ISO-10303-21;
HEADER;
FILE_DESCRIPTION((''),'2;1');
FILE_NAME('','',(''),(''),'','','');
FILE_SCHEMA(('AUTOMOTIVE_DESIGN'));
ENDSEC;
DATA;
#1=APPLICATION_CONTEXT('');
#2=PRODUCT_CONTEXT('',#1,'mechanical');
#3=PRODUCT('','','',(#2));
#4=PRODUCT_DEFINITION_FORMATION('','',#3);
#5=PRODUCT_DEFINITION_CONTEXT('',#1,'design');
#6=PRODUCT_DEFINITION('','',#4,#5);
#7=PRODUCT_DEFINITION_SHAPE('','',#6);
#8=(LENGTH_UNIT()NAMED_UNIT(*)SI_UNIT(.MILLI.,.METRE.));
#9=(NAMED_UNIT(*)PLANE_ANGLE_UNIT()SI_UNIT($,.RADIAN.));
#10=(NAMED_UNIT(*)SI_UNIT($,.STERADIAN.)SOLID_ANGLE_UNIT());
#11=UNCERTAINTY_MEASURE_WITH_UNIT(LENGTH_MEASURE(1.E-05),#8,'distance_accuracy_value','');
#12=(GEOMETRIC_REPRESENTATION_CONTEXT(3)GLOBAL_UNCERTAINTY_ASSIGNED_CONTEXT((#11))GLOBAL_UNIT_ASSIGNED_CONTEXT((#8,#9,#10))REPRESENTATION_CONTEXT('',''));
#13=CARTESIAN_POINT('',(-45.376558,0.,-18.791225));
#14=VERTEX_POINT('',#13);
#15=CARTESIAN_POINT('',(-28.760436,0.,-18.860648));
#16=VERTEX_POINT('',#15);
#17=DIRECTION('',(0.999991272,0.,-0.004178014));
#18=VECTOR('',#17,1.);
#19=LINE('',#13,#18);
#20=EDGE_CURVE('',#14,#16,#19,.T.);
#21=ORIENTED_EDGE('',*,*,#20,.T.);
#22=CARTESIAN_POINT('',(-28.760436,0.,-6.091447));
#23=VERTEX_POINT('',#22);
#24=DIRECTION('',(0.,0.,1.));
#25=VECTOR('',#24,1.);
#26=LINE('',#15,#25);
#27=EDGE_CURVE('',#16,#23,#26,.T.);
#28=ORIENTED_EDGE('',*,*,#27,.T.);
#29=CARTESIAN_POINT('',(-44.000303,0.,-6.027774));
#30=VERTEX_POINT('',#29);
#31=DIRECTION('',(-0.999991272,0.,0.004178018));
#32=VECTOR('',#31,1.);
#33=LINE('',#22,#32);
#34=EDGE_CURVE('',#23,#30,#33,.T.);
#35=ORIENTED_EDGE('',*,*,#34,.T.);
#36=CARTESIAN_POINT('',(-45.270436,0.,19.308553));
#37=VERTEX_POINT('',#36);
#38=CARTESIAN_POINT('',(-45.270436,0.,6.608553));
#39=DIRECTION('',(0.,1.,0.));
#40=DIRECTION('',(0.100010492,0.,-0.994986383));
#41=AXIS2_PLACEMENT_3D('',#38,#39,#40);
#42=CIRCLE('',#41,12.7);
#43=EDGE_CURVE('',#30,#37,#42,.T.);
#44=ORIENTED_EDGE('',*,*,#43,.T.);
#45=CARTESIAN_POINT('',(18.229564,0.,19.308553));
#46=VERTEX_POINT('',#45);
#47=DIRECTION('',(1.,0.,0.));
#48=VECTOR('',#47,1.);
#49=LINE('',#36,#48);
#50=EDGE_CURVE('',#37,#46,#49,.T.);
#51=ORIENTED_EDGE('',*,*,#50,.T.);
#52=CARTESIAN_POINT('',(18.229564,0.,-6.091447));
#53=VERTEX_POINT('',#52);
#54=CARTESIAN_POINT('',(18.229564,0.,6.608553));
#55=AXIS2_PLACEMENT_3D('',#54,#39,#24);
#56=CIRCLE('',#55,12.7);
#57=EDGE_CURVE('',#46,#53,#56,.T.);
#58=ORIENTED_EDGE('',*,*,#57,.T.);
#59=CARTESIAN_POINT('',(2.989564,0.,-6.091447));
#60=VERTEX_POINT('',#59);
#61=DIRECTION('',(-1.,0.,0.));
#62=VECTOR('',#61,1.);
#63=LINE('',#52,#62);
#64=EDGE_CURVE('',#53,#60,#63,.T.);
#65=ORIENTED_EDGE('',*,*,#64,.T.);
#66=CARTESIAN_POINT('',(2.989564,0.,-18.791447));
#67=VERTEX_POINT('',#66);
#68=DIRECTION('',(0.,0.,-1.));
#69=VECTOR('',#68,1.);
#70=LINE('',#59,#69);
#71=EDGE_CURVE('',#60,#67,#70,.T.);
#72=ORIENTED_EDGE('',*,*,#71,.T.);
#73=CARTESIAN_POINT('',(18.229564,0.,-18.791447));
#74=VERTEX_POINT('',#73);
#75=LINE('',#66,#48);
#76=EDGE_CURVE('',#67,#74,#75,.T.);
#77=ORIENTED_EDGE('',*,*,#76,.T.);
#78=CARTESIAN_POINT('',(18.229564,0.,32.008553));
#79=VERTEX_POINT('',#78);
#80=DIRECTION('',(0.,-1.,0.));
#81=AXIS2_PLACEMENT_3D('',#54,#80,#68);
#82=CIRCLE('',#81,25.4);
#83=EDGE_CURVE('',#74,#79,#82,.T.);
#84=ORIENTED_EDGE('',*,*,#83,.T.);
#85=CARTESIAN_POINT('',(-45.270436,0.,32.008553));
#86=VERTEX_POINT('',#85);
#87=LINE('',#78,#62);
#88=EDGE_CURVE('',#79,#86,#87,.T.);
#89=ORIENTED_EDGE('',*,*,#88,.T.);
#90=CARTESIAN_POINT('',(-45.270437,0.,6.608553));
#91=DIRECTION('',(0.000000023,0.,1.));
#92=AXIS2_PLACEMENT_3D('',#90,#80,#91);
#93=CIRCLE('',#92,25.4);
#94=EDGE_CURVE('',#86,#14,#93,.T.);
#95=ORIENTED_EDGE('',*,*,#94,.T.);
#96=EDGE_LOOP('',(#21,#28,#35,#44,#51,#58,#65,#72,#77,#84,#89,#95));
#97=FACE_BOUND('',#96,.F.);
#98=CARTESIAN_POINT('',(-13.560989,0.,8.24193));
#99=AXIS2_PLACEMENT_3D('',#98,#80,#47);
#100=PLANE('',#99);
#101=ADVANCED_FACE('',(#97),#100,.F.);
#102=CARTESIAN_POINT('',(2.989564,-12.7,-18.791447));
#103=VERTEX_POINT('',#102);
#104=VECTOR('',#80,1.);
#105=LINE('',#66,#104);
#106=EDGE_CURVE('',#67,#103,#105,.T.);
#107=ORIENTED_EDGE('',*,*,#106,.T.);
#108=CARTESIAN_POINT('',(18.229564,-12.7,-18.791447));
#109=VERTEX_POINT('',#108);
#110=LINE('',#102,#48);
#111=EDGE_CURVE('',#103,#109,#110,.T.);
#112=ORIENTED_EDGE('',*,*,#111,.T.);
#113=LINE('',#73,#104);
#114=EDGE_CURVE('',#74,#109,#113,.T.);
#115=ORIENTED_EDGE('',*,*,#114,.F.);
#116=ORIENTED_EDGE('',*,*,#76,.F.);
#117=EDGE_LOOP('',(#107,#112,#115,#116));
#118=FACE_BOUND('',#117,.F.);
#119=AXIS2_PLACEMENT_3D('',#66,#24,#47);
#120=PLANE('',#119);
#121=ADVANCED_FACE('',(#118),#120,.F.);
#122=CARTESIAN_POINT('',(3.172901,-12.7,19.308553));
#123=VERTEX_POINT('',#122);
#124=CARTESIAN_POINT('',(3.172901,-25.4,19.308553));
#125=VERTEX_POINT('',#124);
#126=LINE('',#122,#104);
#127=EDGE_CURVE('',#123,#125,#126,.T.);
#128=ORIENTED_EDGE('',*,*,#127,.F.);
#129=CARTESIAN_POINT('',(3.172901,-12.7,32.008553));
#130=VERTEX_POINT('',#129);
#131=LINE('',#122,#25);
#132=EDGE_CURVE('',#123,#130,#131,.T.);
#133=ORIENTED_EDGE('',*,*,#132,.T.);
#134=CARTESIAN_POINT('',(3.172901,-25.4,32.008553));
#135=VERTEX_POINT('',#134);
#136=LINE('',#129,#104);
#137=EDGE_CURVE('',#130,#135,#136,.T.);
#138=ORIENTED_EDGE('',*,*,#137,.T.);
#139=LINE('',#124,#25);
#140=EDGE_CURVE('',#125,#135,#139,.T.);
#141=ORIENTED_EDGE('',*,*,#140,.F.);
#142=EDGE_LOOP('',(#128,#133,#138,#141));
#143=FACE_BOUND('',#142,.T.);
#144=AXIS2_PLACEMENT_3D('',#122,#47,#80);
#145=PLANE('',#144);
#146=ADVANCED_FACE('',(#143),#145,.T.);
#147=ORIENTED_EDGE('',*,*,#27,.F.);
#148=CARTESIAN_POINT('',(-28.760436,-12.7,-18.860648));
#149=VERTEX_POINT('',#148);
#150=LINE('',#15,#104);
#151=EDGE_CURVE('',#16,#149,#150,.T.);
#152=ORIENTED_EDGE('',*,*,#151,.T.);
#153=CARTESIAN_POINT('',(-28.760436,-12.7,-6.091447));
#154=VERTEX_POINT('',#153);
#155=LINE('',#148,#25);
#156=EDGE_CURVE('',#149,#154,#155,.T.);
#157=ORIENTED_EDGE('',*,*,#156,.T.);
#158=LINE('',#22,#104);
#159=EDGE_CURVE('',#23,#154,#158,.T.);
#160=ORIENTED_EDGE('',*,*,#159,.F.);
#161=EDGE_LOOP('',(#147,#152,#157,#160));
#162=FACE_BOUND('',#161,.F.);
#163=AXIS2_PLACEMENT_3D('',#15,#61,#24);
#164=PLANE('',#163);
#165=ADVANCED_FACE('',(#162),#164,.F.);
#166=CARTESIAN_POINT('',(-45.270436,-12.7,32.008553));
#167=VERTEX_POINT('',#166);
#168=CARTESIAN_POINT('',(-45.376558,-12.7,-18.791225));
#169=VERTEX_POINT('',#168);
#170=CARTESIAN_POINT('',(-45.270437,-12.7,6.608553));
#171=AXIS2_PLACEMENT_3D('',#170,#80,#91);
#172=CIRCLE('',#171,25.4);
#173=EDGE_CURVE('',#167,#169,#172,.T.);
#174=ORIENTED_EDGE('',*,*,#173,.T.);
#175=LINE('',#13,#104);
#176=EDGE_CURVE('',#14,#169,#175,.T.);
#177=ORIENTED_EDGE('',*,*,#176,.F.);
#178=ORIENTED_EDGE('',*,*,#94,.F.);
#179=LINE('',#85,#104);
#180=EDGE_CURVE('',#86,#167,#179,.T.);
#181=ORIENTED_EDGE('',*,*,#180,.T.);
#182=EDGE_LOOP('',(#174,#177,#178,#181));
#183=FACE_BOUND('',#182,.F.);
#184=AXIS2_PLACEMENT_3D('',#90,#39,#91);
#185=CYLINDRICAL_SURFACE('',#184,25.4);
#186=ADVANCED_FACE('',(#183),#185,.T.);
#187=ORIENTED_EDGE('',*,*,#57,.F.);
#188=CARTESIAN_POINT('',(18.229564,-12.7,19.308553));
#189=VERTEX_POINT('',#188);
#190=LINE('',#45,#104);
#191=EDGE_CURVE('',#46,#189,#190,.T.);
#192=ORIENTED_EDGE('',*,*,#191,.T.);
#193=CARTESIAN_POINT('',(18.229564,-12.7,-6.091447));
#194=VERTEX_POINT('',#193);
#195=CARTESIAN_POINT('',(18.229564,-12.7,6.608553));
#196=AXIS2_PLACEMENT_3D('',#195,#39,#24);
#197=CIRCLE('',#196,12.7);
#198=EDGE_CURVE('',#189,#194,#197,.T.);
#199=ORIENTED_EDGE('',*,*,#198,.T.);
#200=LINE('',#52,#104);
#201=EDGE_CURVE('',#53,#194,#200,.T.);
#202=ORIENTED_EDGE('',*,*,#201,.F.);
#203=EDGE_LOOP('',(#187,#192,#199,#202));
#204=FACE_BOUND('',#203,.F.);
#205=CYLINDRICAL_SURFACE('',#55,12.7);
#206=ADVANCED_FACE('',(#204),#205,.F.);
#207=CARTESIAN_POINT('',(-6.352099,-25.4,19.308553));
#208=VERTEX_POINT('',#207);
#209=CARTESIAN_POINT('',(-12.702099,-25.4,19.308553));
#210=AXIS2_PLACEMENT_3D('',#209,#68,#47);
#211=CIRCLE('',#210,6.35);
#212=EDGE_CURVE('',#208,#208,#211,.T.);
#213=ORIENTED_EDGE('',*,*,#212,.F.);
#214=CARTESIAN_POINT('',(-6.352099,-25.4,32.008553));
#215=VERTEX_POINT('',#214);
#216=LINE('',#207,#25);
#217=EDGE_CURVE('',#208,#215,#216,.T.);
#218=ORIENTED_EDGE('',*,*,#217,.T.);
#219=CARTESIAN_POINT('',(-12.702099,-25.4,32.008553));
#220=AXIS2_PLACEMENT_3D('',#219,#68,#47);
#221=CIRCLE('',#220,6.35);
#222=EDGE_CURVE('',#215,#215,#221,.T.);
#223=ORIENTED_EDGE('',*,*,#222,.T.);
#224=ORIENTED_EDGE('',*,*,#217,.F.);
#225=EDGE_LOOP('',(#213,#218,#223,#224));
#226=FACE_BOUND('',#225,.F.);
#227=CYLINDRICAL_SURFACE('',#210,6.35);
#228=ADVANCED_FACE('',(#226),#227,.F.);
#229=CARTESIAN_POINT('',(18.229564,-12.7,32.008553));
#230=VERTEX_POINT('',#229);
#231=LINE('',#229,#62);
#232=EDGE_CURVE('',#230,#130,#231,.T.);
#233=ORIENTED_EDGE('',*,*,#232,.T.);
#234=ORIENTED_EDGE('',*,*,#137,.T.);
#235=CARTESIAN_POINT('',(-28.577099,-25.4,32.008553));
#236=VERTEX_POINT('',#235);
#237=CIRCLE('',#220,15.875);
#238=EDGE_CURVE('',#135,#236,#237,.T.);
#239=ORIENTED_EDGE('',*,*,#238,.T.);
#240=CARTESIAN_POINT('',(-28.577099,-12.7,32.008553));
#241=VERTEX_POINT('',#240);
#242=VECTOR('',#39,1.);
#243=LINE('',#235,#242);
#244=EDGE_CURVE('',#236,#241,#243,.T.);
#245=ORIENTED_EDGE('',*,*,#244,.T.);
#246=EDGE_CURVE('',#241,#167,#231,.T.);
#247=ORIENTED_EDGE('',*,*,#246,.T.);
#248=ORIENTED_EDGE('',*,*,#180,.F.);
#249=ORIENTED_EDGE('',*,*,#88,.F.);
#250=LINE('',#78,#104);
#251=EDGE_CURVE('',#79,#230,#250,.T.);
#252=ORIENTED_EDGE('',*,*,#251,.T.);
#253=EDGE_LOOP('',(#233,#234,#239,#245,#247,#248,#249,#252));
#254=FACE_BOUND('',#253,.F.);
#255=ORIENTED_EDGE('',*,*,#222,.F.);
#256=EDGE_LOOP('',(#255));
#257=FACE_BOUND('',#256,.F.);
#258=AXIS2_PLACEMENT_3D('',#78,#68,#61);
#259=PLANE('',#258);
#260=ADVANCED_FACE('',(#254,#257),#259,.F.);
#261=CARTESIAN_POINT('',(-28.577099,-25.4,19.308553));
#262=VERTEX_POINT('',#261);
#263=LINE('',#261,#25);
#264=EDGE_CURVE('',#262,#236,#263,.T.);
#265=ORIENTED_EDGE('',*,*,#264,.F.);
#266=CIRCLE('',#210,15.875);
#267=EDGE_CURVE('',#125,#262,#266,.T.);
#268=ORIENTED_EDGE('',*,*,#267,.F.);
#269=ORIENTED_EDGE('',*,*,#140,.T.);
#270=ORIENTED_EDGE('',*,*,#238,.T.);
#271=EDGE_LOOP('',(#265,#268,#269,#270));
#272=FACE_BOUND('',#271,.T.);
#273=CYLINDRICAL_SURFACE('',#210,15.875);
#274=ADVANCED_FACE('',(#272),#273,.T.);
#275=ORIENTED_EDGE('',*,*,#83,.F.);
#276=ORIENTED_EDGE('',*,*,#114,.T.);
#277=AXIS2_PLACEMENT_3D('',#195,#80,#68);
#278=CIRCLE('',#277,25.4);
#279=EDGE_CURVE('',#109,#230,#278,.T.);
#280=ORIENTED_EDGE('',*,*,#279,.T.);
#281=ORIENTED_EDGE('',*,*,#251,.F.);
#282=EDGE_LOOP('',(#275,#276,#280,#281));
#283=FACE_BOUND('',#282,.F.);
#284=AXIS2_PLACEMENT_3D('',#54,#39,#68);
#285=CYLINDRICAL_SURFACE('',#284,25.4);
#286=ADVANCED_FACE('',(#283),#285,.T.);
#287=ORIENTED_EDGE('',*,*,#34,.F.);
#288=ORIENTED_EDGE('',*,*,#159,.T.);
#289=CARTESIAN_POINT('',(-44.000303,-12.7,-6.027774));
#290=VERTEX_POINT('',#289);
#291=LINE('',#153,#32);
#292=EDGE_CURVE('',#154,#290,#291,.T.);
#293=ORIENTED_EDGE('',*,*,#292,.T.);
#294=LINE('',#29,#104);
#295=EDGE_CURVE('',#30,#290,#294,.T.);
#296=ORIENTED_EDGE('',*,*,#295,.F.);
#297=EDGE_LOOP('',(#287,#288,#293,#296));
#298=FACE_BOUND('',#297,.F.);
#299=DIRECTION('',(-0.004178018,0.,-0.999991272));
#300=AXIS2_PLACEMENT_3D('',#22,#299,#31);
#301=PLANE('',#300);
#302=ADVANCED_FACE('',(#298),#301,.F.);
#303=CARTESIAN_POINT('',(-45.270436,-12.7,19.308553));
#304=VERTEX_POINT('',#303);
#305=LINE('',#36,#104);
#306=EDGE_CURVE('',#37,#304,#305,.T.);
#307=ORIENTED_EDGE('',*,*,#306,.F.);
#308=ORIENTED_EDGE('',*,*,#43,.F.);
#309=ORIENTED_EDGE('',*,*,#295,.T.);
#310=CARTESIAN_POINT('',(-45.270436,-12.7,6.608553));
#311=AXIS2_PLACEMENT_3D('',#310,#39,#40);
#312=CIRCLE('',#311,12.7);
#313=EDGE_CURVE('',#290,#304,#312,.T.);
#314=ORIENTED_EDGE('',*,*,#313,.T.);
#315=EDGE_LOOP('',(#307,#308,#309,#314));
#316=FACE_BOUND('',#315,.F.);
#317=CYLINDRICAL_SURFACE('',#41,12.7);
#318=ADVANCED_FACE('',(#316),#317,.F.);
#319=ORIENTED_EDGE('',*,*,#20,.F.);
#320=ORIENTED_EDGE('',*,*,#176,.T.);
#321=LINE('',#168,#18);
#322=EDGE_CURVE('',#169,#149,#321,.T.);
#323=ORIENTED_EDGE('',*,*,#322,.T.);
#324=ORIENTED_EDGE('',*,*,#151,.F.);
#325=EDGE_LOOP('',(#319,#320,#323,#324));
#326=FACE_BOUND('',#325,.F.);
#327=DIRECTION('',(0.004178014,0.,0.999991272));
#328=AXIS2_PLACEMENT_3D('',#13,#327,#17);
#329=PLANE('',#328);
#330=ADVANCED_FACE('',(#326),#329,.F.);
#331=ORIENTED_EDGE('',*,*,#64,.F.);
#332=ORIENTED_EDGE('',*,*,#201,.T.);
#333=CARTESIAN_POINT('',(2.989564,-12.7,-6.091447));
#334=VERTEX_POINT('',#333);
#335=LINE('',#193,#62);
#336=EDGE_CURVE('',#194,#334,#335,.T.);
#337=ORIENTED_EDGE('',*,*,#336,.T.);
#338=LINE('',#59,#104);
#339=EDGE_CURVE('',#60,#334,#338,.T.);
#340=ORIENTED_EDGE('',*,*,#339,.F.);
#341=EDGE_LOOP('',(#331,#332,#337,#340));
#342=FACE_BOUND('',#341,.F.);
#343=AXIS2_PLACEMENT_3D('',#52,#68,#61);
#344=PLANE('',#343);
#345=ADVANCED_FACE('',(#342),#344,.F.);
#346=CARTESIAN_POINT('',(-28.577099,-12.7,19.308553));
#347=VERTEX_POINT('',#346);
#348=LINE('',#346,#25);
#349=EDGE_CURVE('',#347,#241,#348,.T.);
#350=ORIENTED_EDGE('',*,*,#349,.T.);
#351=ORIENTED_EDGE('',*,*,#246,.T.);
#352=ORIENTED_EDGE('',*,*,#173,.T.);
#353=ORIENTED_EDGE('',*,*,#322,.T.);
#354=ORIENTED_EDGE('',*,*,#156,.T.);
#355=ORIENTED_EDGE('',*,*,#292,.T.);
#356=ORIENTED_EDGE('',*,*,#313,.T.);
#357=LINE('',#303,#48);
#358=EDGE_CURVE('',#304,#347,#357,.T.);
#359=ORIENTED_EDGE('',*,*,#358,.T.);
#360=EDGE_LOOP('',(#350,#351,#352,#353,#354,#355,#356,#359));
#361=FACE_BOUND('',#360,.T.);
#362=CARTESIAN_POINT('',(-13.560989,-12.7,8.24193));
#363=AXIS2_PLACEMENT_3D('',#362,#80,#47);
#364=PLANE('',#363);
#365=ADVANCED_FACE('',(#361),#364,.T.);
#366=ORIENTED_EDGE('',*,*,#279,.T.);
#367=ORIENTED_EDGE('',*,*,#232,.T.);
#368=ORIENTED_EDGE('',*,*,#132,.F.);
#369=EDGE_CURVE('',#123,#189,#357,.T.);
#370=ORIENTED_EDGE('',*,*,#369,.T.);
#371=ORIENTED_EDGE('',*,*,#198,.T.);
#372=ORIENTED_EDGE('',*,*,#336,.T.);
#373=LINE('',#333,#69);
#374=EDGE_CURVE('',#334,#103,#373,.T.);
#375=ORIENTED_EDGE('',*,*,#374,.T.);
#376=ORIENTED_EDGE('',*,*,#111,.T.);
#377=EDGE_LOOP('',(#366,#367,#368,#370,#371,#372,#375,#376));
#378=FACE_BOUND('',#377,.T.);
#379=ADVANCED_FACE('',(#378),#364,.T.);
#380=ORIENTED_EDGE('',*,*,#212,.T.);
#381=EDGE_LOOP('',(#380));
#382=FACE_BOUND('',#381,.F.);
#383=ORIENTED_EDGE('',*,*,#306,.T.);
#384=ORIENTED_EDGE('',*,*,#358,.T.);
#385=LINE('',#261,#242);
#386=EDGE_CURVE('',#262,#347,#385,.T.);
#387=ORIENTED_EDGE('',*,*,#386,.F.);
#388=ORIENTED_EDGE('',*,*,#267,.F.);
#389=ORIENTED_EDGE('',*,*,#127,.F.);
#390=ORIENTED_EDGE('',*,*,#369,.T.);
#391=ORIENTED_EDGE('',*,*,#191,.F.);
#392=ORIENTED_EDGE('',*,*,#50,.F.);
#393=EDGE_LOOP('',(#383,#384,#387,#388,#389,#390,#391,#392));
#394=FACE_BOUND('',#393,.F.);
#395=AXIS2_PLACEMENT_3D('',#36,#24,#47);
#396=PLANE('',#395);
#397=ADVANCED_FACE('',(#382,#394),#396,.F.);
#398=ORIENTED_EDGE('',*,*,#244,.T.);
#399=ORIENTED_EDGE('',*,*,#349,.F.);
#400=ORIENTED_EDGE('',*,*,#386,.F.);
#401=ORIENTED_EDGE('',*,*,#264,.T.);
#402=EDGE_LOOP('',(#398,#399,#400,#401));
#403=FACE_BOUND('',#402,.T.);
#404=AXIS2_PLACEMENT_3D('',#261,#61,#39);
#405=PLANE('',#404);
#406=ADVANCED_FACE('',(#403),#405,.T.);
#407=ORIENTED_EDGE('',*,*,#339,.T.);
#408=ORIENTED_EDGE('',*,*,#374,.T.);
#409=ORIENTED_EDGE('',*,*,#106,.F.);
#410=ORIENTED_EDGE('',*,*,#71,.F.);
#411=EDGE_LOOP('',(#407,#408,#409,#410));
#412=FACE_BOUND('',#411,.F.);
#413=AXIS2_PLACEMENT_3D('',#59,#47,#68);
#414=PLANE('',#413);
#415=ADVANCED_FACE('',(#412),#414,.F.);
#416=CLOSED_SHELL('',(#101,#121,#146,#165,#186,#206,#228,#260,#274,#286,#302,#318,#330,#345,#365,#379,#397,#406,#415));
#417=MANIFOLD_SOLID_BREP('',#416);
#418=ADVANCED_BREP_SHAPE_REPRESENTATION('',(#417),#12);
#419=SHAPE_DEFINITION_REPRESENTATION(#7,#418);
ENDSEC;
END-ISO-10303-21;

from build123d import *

# Parameters (mm, degrees)
F1_DEPTH = 12.7
F2_R     = 6.35
F3_DEPTH = 12.7


with BuildPart() as f1:
    # F0 (on Front) → F1 (new body)
    with BuildSketch(Plane.XZ):
        with BuildLine():
            Line((18.229564, 32.008553), (-45.270436, 32.008553))
            ThreePointArc((-45.270436, 32.008553), (-70.670381, 6.661614), (-45.376558, -18.791225))
            Line((-45.376558, -18.791225), (-28.760436, -18.860648))
            Line((-28.760436, -18.860648), (-28.760436, -6.091447))
            Line((-28.760436, -6.091447), (-44.000303, -6.027774))
            ThreePointArc((-44.000303, -6.027774), (-57.954508, 5.972689), (-45.270436, 19.308553))
            Line((-45.270436, 19.308553), (18.229564, 19.308553))
            ThreePointArc((18.229564, 19.308553), (30.929564, 6.608553), (18.229564, -6.091447))
            Line((18.229564, -6.091447), (2.989564, -6.091447))
            Line((2.989564, -6.091447), (2.989564, -18.791447))
            Line((2.989564, -18.791447), (18.229564, -18.791447))
            ThreePointArc((18.229564, -18.791447), (43.629564, 6.608553), (18.229564, 32.008553))
        make_face()
    extrude(amount=F1_DEPTH)

    # F2 (on face) → F3 (join)
    with BuildSketch(Plane(origin=(0, 0, 19.308553), x_dir=(1, 0, 0), z_dir=(0, 0, -1))):
        with BuildLine():
            Line((3.172901, 12.7), (3.172901, 25.4))
            ThreePointArc((3.172901, 25.4), (-12.702099, 41.275), (-28.577099, 25.4))
            Line((-28.577099, 25.4), (-28.577099, 12.7))
            Line((-28.577099, 12.7), (3.172901, 12.7))
        make_face()
        with Locations((-12.702099, 25.4)):
            Circle(F2_R, mode=Mode.SUBTRACT)
    extrude(amount=-F3_DEPTH)


solid = f1.part
